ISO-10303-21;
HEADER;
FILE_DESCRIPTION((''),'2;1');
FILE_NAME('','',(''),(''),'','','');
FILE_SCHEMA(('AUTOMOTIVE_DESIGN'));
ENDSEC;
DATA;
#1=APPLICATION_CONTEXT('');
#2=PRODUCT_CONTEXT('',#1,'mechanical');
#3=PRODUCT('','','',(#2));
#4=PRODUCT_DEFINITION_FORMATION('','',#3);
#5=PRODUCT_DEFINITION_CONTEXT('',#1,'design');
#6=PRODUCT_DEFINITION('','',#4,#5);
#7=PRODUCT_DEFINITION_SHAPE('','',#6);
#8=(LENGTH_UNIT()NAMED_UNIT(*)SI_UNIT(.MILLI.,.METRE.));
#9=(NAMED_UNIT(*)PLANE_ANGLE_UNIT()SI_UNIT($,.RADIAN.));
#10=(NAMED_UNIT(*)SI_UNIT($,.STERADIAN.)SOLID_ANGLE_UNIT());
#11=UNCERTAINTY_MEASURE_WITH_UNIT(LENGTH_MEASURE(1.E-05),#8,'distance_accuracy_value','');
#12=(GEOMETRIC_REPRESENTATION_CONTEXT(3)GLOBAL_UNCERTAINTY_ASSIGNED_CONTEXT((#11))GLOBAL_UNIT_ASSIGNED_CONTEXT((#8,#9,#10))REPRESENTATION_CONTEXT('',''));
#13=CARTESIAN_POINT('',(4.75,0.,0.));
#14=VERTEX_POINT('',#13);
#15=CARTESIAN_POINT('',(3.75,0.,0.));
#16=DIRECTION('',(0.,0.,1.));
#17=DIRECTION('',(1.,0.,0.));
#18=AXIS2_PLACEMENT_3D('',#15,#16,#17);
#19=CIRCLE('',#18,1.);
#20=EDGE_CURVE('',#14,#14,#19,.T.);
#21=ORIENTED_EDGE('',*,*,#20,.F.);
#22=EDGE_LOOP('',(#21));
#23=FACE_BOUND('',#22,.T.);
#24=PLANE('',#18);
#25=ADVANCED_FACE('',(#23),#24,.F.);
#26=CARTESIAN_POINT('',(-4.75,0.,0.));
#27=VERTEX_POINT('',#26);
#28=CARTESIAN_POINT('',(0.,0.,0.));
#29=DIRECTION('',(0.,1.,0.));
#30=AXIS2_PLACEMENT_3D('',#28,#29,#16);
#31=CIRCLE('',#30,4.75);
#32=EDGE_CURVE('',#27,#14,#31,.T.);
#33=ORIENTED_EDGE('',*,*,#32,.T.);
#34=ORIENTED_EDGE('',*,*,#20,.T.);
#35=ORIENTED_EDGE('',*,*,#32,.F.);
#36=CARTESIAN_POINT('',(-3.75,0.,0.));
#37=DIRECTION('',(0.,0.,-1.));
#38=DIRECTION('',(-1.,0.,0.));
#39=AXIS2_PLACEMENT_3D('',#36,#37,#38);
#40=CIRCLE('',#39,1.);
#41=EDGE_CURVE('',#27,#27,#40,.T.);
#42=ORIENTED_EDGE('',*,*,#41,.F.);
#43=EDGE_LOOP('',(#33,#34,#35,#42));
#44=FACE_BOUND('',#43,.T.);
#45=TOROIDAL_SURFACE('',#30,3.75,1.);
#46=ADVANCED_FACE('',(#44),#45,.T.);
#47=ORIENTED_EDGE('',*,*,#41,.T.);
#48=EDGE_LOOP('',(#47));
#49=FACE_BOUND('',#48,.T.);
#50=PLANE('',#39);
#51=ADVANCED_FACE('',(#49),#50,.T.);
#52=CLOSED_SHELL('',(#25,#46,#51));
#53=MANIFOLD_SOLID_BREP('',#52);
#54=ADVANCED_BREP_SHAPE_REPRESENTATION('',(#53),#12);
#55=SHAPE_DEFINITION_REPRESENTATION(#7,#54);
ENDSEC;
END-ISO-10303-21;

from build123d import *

# Parameters (mm, degrees)
SKETCH_1_R      = 1
REVOLVE_1_ANGLE = 180


with BuildPart() as part:
    # Эскиз1 → Повернуть1 (revolve)
    with BuildSketch(Plane.XY):
        with Locations((3.75, 0)):
            Circle(SKETCH_1_R)
    revolve(axis=Axis((0, 7.875358067, 0), (0, -1, 0)), revolution_arc=REVOLVE_1_ANGLE)


solid = part.part
